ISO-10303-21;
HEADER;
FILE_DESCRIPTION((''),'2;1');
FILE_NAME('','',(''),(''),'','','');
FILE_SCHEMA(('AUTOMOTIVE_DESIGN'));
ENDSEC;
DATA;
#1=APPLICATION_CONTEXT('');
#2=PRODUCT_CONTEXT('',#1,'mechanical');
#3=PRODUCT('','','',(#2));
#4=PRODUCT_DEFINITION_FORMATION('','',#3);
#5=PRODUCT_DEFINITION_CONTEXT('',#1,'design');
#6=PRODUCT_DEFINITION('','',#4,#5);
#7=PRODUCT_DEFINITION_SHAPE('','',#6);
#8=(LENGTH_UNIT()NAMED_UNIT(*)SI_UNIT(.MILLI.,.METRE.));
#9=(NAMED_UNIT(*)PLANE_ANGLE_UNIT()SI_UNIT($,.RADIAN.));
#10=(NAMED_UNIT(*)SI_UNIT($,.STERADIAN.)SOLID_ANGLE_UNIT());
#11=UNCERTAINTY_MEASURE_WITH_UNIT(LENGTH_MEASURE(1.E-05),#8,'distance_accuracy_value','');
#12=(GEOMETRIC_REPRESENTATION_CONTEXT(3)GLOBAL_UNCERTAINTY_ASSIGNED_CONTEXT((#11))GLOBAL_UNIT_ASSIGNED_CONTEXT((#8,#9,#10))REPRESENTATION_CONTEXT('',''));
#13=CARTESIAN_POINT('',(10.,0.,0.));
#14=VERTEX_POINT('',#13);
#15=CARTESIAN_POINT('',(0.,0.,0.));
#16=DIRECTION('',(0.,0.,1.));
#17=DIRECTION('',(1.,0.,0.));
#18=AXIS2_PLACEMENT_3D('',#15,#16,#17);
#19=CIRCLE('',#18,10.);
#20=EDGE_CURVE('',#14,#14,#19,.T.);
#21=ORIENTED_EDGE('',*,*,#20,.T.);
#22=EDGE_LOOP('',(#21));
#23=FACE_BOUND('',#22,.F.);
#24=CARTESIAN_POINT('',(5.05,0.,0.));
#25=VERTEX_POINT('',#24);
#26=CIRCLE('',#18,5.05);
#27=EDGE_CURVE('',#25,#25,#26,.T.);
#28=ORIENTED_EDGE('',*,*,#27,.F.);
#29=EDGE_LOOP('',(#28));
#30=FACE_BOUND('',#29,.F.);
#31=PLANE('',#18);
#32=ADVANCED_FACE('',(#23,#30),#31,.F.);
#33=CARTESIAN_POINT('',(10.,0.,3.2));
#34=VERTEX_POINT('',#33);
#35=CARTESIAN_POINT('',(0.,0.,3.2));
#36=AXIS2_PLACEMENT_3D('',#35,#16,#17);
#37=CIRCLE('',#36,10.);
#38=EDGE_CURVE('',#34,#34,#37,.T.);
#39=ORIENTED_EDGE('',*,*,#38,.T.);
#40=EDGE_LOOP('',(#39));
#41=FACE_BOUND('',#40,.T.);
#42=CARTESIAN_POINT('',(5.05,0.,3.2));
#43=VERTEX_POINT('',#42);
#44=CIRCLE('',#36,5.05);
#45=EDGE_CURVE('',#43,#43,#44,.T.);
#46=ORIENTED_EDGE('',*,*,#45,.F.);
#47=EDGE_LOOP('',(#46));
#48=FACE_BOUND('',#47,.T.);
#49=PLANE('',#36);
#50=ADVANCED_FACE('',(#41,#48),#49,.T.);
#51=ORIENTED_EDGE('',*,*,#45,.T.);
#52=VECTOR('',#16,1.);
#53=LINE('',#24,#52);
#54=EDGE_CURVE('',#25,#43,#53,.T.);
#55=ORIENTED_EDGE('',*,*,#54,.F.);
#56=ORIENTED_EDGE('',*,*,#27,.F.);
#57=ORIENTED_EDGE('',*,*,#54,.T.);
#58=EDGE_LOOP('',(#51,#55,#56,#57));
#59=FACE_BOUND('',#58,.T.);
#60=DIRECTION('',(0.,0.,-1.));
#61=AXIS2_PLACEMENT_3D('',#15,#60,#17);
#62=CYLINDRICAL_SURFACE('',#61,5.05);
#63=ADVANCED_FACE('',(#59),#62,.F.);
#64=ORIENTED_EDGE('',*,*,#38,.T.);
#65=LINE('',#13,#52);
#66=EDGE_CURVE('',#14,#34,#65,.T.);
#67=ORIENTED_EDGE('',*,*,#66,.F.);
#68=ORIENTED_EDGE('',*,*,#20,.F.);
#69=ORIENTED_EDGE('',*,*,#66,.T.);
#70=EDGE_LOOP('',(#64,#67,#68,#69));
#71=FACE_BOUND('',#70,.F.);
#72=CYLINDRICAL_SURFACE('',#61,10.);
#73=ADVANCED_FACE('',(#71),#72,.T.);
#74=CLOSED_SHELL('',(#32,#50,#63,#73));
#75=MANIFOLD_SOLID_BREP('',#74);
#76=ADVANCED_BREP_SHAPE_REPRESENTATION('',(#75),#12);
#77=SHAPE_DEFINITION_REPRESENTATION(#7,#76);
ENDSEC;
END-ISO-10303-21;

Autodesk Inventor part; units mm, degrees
ref_plane "YZ Plane" through (0, 0, 0) normal (1, 0, 0) x (0, 1, 0)
ref_plane "XZ Plane" through (0, 0, 0) normal (0, 1, 0) x (-1, 0, 0)
ref_plane "XY Plane" through (0, 0, 0) normal (0, 0, 1) x (1, 0, 0)
sketch "Sketch1" plane through (0, 0, 0) normal (0, 0, 1) x (1, 0, 0)
  circle A0 centre (0, 0) radius 5.05
  circle A1 centre (0, 0) radius 10
  dimension "d0" = 10.1
  dimension "d1" = 20
extrude "Extrusion1" add sketch "Sketch1" along normal blind 3.2
properties part number "CAD_A_fill"
